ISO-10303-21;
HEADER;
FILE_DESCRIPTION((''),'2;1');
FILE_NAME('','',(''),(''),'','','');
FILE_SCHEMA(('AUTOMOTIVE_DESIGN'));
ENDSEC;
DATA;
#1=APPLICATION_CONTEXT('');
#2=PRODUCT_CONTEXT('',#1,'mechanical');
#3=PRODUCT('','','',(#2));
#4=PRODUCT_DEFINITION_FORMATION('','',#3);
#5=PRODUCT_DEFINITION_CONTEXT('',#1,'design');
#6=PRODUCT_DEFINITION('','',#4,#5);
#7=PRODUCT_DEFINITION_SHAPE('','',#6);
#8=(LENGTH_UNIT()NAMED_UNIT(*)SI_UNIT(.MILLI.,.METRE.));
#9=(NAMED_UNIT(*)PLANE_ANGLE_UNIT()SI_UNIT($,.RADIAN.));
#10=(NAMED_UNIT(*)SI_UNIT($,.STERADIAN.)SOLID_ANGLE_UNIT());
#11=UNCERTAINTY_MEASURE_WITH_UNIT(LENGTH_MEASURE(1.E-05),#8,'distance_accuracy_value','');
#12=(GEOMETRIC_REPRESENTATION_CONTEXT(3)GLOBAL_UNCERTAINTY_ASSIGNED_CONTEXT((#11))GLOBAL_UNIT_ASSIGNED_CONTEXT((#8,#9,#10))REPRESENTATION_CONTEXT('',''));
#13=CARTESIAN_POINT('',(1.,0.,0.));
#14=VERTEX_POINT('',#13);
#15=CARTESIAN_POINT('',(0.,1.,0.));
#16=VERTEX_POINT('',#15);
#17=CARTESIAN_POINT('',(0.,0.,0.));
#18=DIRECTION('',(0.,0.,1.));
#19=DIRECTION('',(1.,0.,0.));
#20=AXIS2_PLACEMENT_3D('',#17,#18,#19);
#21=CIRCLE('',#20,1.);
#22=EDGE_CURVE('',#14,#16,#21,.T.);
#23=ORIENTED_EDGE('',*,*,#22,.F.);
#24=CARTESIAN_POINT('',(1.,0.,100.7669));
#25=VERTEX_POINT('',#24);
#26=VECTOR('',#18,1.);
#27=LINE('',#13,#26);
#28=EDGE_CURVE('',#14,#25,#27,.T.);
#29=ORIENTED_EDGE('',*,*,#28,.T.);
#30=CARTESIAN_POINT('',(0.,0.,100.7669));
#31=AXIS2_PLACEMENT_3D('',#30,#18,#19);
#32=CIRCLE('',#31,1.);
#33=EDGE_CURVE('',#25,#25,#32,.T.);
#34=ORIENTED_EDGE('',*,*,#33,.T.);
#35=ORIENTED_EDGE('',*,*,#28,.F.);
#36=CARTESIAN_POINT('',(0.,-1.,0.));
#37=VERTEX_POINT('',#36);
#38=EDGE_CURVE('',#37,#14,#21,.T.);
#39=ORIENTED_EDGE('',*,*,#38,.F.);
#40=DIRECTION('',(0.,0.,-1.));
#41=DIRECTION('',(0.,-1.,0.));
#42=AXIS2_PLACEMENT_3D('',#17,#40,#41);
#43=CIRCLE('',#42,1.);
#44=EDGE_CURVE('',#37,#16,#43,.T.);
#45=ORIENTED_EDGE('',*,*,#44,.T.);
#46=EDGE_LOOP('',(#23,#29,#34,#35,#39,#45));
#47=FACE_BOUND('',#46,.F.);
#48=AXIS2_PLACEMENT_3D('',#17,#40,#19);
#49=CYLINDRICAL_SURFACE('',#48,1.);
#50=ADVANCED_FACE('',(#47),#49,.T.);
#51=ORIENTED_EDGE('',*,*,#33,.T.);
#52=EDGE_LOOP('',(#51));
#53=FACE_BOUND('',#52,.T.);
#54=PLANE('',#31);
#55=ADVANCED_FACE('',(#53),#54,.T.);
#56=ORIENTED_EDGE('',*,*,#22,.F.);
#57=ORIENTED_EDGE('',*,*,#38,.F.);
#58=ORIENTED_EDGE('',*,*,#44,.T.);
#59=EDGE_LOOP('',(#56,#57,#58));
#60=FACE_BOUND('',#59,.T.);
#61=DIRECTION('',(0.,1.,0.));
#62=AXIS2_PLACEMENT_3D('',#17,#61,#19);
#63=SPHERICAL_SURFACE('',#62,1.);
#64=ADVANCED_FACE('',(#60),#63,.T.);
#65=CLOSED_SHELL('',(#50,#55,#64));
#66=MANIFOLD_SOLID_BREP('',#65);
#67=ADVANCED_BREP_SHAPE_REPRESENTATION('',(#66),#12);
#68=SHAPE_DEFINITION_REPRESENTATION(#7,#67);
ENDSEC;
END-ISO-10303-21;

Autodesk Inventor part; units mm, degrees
ref_plane "YZ Plane" through (0, 0, 0) normal (1, 0, 0) x (0, 1, 0)
ref_plane "XZ Plane" through (0, 0, 0) normal (0, 1, 0) x (-1, 0, 0)
ref_plane "XY Plane" through (0, 0, 0) normal (0, 0, 1) x (1, 0, 0)
sketch "Sketch1" plane through (0, 0, 0) normal (0, 0, 1) x (1, 0, 0)
  circle A0 centre (0, 0) radius 1
  dimension "d0" = 2
extrude "Extrusion1" add sketch "Sketch1" along normal blind 100.7669
sketch "Sketch4" plane through (0, 0, 0) normal (1, 0, 0) x (0, 1, 0)
  line L0 (-1, 0) -> (1, 0) projected
  line L1 (1, 0) -> (1, 100.7669) projected
  arc A0 (-1, 0) -> (1, 0) centre (0, 0) ccw
revolve "Revolution1" add sketch "Sketch4" angle 180 mid plane about axis through (0, -1, 0) along (0, 1, 0)
properties part number "2mmToServo" material "Brass, Soft Yellow, Welded"
